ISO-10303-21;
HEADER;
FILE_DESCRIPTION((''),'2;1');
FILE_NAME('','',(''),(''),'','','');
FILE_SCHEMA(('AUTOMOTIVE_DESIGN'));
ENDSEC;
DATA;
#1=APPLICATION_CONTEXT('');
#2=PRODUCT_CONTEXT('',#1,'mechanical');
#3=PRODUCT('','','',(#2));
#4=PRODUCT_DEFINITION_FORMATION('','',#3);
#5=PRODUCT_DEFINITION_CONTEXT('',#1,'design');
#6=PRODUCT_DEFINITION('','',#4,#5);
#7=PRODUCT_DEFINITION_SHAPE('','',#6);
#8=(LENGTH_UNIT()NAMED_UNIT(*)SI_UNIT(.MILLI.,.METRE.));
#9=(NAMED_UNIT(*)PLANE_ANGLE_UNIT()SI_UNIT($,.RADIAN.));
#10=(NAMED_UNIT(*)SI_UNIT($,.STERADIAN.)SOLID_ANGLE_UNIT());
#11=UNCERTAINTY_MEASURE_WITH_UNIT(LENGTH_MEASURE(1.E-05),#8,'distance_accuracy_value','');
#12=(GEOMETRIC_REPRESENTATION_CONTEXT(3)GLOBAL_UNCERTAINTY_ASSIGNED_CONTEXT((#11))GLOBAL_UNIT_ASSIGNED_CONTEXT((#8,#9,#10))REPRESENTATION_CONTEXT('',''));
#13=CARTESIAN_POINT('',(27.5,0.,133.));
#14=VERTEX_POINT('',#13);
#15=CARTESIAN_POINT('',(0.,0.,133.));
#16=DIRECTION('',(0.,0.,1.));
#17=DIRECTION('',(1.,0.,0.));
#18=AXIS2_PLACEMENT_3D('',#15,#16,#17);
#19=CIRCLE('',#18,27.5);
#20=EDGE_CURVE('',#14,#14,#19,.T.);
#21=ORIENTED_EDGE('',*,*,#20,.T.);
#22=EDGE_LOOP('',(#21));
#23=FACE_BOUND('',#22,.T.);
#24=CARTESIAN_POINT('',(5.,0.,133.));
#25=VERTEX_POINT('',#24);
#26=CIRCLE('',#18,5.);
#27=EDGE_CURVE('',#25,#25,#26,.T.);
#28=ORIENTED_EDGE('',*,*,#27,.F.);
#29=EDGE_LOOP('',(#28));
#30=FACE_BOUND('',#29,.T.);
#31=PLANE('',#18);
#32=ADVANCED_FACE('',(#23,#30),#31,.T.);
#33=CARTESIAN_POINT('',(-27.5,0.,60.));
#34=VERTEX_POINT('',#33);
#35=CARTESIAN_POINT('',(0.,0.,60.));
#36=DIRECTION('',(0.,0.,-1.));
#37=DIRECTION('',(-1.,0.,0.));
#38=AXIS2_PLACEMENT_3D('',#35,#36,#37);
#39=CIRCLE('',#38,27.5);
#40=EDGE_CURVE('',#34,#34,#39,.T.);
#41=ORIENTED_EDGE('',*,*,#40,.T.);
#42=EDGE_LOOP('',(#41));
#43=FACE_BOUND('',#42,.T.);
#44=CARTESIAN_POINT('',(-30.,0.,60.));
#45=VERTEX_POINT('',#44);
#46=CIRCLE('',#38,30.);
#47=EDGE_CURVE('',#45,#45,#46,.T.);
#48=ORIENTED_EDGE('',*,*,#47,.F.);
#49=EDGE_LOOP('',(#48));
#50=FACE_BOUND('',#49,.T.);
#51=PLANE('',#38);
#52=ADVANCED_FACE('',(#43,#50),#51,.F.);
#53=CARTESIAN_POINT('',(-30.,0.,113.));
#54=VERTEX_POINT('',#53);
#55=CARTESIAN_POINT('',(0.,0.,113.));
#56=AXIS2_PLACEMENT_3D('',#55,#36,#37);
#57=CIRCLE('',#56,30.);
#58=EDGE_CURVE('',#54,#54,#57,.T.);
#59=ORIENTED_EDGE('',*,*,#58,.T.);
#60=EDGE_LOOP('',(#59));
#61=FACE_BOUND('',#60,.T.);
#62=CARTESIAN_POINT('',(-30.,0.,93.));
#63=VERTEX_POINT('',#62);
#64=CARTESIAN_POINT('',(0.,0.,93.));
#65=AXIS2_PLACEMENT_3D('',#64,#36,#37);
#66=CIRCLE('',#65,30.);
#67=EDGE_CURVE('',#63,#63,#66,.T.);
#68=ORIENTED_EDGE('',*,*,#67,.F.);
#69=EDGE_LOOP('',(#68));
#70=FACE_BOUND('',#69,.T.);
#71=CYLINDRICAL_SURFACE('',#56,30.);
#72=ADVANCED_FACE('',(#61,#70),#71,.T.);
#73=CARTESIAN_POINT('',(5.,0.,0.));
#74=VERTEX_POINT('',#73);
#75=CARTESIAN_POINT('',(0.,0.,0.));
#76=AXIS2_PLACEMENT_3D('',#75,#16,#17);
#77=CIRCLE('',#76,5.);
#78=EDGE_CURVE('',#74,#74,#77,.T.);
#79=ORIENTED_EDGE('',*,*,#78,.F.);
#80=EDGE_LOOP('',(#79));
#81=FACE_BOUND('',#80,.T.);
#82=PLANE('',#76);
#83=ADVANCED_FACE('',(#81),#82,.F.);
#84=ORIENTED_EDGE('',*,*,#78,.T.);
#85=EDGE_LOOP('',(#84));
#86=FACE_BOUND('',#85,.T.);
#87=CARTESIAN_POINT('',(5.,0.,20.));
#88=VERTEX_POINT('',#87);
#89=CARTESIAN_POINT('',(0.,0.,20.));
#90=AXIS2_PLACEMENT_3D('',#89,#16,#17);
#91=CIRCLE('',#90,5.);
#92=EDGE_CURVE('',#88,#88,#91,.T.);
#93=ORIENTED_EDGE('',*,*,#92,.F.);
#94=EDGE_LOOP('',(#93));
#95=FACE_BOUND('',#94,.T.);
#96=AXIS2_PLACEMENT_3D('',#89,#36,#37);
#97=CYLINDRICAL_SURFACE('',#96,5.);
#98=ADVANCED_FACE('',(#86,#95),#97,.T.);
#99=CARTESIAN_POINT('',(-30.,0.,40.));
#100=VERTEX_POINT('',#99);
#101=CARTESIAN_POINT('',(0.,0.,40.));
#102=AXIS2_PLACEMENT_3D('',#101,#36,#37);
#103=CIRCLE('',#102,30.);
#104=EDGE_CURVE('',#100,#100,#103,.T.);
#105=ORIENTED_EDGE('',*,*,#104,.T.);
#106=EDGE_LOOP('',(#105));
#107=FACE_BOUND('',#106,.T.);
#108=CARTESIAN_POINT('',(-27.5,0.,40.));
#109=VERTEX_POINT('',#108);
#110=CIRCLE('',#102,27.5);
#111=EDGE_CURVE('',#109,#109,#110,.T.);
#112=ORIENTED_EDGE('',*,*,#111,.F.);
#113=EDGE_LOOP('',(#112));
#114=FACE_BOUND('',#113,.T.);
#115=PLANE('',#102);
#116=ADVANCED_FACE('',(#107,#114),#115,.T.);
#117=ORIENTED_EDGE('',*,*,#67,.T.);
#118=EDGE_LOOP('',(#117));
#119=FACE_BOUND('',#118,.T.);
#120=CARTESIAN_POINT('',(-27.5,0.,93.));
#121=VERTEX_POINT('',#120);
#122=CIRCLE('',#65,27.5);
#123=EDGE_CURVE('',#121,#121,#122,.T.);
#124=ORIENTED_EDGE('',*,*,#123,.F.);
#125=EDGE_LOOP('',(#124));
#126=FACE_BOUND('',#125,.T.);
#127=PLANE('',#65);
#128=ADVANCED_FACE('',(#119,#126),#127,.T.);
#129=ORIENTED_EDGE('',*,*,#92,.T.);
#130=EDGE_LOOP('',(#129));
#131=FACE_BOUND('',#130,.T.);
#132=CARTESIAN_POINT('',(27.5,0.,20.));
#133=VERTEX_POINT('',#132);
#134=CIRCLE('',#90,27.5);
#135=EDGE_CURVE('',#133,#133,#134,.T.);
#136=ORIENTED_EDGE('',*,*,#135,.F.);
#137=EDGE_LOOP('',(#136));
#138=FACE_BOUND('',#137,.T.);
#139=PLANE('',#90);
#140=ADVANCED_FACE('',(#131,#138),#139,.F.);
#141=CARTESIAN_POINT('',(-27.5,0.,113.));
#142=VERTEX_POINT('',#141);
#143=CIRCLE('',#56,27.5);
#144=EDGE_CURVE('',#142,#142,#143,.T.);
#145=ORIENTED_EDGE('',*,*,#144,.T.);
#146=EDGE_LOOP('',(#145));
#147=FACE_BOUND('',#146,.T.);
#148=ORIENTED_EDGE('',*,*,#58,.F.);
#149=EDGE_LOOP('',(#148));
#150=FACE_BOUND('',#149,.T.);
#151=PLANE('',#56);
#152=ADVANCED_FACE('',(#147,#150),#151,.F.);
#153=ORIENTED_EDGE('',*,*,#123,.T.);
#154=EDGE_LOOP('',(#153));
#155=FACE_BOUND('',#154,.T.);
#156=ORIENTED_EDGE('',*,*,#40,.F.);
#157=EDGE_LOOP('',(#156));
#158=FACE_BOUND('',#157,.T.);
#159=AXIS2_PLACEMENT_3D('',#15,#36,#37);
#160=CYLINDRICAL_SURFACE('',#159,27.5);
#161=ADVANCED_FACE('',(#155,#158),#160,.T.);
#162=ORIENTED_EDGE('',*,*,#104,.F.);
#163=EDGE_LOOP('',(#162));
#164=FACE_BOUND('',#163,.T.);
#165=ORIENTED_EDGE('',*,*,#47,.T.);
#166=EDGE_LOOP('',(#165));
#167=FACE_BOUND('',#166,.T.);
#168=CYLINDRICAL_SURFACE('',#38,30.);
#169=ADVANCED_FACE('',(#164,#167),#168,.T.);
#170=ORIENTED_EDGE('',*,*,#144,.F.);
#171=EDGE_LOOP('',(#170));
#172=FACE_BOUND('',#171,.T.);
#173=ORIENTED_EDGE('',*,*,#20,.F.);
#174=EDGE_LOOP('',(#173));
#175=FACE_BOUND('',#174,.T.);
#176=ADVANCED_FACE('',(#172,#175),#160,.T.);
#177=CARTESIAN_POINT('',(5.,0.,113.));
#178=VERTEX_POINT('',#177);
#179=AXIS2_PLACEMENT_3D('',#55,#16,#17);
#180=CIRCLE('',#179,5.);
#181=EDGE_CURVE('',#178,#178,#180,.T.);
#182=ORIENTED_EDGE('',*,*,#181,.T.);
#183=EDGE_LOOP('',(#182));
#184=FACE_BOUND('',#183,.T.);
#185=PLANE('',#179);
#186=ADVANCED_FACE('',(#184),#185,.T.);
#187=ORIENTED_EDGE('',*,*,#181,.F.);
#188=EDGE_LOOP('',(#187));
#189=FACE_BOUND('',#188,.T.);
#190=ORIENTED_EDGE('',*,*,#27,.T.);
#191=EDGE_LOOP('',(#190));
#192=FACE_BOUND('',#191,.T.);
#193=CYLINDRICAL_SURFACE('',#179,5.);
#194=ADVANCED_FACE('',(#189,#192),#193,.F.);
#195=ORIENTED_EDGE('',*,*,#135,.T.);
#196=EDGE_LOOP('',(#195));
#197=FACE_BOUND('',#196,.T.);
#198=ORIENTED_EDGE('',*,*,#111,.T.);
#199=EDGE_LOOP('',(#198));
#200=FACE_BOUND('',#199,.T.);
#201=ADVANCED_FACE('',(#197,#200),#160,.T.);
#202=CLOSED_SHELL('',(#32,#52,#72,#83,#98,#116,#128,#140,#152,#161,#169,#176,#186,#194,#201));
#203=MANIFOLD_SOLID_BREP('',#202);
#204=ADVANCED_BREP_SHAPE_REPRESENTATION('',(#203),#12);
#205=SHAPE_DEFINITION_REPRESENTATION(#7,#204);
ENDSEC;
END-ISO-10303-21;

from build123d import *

# Parameters (mm, degrees)
SKETCH1_R                = 5
BOSS_EXTRUDE1_DEPTH      = 20
SKETCH2_R                = 27.5
BOSS_EXTRUDE2_DEPTH      = 113
BOSS_EXTRUDE3_DEPTH      = 10
BOSS_EXTRUDE3_DEPTH_BACK = 10
SKETCH3_R                = 30
BOSS_EXTRUDE4_DEPTH      = 10
BOSS_EXTRUDE4_DEPTH_BACK = 10
SKETCH4_R                = 30
CUT_EXTRUDE1_START       = -20
SKETCH5_R                = 5
CUT_EXTRUDE1_DEPTH       = 20


with BuildPart() as part:
    # Sketch1 → Boss-Extrude1 (new body)
    with BuildSketch(Plane.XY):
        Circle(SKETCH1_R)
    extrude(amount=BOSS_EXTRUDE1_DEPTH)

    # Sketch2 → Boss-Extrude2 (add)
    with BuildSketch(Plane.XY.offset(20)):
        Circle(SKETCH2_R)
    extrude(amount=BOSS_EXTRUDE2_DEPTH)

    # Sketch3 → Boss-Extrude3 (add, two sides: drawn at the far end of the back side and taken through both)
    with BuildSketch(Plane(origin=(0, 0, 50), x_dir=(-1, 0, 0), z_dir=(0, 0, -1)).offset(-BOSS_EXTRUDE3_DEPTH_BACK)):
        Circle(SKETCH3_R)
    extrude(amount=BOSS_EXTRUDE3_DEPTH + BOSS_EXTRUDE3_DEPTH_BACK)

    # Sketch4 → Boss-Extrude4 (add, two sides: drawn at the far end of the back side and taken through both)
    with BuildSketch(Plane(origin=(0, 0, 103), x_dir=(-1, 0, 0), z_dir=(0, 0, -1)).offset(-BOSS_EXTRUDE4_DEPTH_BACK)):
        Circle(SKETCH4_R)
    extrude(amount=BOSS_EXTRUDE4_DEPTH + BOSS_EXTRUDE4_DEPTH_BACK)

    # Sketch5 → Cut-Extrude1 (cut)
    with BuildSketch(Plane.XY.offset(133).offset(CUT_EXTRUDE1_START)):
        Circle(SKETCH5_R)
    extrude(amount=CUT_EXTRUDE1_DEPTH, mode=Mode.SUBTRACT)


solid = part.part
